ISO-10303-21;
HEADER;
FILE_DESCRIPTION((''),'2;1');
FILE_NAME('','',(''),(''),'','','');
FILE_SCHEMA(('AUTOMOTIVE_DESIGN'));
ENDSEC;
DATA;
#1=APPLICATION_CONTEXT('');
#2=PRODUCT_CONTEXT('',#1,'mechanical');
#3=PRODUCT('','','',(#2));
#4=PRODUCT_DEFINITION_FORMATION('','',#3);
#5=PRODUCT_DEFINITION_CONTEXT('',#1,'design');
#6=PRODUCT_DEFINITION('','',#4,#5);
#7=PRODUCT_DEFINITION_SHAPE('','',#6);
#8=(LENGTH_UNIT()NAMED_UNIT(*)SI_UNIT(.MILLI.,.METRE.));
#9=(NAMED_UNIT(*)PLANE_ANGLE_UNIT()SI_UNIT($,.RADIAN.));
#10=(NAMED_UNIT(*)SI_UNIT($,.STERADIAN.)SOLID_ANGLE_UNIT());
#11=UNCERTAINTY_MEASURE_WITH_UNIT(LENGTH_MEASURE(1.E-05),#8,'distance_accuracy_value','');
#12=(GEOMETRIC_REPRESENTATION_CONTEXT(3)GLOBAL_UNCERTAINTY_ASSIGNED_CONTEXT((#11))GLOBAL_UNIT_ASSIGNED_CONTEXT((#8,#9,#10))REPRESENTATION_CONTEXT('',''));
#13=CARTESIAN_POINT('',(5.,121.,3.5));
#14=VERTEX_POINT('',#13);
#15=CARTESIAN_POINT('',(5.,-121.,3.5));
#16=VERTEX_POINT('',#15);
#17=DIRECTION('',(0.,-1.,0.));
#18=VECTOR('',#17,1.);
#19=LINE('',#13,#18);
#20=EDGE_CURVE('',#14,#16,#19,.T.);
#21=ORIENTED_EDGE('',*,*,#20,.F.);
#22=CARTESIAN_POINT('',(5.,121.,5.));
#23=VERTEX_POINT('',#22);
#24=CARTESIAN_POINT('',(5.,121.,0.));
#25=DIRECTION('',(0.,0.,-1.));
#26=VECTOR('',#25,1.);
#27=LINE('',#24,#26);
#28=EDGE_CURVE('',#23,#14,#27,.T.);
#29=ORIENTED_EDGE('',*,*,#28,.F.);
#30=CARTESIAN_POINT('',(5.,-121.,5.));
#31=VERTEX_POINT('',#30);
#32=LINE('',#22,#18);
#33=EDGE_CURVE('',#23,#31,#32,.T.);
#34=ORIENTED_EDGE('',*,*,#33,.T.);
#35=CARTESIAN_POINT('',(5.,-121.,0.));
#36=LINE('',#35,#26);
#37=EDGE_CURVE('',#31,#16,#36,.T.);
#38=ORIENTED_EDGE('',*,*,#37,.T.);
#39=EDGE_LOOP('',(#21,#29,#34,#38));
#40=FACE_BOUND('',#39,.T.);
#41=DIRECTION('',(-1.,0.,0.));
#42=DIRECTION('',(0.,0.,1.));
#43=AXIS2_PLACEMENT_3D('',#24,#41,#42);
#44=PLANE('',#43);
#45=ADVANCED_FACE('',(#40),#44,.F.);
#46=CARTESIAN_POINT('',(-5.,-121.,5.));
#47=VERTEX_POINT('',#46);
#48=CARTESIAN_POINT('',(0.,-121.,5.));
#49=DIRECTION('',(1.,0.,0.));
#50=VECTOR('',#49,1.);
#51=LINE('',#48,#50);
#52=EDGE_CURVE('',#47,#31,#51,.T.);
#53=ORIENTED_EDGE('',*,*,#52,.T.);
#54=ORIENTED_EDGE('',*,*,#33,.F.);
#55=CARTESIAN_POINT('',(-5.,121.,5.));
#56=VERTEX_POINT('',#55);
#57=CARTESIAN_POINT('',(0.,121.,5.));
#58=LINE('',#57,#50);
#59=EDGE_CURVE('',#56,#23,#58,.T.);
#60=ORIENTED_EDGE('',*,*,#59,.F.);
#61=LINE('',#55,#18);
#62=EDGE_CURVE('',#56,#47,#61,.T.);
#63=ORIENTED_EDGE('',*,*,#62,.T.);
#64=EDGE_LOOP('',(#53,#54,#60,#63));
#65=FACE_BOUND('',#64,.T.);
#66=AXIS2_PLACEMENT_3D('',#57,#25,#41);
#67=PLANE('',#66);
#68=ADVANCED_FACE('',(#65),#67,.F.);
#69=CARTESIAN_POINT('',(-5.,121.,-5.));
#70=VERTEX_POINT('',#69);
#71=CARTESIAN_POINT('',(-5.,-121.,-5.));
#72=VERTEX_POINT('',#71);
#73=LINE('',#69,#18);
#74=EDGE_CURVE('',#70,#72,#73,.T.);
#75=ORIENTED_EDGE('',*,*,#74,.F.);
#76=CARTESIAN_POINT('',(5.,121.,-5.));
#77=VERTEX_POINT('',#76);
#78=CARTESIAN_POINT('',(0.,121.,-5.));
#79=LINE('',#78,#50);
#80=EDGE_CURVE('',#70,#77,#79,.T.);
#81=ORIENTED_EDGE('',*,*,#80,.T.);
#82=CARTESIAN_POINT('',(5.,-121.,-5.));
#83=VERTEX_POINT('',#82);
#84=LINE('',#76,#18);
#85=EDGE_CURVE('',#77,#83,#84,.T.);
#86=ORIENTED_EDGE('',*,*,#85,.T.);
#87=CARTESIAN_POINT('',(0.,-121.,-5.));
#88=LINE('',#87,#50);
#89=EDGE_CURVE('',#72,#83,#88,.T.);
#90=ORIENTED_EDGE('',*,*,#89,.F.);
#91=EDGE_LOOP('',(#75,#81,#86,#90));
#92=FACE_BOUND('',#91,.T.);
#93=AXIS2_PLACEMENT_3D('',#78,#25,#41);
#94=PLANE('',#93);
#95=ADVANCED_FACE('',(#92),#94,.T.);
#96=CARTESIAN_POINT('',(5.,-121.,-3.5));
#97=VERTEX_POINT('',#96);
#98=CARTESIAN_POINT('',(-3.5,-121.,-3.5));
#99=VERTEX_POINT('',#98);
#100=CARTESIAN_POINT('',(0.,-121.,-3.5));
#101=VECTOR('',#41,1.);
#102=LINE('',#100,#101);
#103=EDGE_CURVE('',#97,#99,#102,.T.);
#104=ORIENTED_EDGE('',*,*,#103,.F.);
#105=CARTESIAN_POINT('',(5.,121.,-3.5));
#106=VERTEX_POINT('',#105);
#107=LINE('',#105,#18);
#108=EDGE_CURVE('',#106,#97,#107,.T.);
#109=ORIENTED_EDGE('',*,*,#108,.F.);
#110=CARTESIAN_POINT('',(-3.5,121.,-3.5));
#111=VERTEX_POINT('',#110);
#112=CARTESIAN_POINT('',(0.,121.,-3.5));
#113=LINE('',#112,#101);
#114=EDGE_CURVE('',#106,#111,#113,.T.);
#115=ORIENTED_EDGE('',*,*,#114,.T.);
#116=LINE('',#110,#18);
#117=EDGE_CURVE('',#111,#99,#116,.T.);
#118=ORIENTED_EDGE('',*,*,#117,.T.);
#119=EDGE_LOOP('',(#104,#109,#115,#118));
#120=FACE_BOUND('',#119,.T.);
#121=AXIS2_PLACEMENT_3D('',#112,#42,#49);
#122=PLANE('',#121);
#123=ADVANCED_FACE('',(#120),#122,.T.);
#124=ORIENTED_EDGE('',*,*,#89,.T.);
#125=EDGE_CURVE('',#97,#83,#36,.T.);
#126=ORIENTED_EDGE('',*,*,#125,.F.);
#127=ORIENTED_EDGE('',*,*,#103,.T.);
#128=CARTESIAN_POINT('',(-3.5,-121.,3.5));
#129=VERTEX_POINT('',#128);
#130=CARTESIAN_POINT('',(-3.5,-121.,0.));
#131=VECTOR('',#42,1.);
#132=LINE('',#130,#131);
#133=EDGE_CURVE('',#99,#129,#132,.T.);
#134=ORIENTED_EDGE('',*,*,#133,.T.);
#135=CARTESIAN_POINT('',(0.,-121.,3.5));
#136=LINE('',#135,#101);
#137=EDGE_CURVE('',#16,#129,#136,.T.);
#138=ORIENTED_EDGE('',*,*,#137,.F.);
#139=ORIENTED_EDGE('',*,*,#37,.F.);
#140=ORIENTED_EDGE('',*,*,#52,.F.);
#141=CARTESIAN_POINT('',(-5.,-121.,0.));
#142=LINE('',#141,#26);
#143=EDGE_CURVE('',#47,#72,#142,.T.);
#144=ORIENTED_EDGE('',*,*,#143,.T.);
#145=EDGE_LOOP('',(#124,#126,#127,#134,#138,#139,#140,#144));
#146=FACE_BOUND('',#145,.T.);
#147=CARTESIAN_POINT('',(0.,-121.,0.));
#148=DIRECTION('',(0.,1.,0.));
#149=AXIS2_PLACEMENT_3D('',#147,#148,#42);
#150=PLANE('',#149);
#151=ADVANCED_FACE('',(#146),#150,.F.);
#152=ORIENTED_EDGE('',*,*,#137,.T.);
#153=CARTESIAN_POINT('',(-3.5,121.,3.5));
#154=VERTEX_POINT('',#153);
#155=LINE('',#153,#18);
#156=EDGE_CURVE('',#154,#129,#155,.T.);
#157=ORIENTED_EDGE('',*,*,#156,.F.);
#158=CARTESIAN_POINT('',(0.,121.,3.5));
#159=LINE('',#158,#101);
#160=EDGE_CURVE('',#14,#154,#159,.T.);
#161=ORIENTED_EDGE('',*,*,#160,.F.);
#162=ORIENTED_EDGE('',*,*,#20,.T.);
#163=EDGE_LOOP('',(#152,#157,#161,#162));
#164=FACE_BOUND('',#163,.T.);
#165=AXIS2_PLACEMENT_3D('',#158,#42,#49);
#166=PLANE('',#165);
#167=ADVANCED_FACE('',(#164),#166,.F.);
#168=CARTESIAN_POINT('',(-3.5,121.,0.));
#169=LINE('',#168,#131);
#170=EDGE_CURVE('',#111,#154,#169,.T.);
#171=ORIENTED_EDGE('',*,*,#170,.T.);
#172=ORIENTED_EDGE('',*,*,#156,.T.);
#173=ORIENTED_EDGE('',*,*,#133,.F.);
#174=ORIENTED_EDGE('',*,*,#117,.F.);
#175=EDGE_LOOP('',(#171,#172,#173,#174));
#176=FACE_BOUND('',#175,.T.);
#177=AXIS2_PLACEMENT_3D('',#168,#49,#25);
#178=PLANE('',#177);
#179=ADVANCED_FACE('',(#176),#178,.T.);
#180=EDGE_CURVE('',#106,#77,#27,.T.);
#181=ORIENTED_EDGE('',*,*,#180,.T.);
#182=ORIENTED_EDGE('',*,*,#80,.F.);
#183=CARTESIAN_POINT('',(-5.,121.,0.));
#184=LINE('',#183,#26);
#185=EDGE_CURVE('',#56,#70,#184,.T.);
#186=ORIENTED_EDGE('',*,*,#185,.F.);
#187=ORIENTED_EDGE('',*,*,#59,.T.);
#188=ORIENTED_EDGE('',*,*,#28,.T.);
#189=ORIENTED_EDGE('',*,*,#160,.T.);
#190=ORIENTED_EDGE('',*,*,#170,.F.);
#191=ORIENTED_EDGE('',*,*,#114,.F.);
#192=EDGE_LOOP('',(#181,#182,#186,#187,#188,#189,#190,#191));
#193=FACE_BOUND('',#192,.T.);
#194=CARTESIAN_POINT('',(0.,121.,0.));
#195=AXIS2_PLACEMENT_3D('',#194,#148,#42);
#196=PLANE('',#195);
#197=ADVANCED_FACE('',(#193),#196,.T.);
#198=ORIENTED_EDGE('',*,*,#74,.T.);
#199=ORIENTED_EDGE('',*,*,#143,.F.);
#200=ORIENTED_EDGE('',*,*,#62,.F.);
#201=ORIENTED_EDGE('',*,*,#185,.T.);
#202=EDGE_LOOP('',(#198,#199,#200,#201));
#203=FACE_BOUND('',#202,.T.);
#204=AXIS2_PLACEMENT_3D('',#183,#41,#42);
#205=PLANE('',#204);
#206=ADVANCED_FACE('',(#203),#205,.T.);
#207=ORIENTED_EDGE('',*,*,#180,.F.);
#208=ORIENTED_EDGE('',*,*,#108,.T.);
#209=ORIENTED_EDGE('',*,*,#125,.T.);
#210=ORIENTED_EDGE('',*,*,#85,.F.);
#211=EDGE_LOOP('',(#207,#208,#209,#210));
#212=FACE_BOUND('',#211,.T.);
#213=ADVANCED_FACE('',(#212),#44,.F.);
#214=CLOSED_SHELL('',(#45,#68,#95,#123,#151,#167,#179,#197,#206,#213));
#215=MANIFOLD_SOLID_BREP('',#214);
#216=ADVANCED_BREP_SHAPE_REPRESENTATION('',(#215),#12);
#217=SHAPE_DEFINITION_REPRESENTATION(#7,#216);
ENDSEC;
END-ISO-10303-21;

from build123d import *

# Parameters (mm, degrees)
BOSS_EXTRUDE1_DEPTH = 121


with BuildPart() as part:
    # Sketch2 → Boss-Extrude1 (new, symmetric)
    with BuildSketch(Plane(origin=(0, 0, 0), x_dir=(1, 0, 0), z_dir=(0, 1, 0))):
        Polygon((-5, 5), (-5, -5), (5, -5), (5, -3.5), (-3.5, -3.5), (-3.5, 3.5), (5, 3.5), (5, 5), align=None)
    extrude(amount=BOSS_EXTRUDE1_DEPTH, both=True)


solid = part.part
